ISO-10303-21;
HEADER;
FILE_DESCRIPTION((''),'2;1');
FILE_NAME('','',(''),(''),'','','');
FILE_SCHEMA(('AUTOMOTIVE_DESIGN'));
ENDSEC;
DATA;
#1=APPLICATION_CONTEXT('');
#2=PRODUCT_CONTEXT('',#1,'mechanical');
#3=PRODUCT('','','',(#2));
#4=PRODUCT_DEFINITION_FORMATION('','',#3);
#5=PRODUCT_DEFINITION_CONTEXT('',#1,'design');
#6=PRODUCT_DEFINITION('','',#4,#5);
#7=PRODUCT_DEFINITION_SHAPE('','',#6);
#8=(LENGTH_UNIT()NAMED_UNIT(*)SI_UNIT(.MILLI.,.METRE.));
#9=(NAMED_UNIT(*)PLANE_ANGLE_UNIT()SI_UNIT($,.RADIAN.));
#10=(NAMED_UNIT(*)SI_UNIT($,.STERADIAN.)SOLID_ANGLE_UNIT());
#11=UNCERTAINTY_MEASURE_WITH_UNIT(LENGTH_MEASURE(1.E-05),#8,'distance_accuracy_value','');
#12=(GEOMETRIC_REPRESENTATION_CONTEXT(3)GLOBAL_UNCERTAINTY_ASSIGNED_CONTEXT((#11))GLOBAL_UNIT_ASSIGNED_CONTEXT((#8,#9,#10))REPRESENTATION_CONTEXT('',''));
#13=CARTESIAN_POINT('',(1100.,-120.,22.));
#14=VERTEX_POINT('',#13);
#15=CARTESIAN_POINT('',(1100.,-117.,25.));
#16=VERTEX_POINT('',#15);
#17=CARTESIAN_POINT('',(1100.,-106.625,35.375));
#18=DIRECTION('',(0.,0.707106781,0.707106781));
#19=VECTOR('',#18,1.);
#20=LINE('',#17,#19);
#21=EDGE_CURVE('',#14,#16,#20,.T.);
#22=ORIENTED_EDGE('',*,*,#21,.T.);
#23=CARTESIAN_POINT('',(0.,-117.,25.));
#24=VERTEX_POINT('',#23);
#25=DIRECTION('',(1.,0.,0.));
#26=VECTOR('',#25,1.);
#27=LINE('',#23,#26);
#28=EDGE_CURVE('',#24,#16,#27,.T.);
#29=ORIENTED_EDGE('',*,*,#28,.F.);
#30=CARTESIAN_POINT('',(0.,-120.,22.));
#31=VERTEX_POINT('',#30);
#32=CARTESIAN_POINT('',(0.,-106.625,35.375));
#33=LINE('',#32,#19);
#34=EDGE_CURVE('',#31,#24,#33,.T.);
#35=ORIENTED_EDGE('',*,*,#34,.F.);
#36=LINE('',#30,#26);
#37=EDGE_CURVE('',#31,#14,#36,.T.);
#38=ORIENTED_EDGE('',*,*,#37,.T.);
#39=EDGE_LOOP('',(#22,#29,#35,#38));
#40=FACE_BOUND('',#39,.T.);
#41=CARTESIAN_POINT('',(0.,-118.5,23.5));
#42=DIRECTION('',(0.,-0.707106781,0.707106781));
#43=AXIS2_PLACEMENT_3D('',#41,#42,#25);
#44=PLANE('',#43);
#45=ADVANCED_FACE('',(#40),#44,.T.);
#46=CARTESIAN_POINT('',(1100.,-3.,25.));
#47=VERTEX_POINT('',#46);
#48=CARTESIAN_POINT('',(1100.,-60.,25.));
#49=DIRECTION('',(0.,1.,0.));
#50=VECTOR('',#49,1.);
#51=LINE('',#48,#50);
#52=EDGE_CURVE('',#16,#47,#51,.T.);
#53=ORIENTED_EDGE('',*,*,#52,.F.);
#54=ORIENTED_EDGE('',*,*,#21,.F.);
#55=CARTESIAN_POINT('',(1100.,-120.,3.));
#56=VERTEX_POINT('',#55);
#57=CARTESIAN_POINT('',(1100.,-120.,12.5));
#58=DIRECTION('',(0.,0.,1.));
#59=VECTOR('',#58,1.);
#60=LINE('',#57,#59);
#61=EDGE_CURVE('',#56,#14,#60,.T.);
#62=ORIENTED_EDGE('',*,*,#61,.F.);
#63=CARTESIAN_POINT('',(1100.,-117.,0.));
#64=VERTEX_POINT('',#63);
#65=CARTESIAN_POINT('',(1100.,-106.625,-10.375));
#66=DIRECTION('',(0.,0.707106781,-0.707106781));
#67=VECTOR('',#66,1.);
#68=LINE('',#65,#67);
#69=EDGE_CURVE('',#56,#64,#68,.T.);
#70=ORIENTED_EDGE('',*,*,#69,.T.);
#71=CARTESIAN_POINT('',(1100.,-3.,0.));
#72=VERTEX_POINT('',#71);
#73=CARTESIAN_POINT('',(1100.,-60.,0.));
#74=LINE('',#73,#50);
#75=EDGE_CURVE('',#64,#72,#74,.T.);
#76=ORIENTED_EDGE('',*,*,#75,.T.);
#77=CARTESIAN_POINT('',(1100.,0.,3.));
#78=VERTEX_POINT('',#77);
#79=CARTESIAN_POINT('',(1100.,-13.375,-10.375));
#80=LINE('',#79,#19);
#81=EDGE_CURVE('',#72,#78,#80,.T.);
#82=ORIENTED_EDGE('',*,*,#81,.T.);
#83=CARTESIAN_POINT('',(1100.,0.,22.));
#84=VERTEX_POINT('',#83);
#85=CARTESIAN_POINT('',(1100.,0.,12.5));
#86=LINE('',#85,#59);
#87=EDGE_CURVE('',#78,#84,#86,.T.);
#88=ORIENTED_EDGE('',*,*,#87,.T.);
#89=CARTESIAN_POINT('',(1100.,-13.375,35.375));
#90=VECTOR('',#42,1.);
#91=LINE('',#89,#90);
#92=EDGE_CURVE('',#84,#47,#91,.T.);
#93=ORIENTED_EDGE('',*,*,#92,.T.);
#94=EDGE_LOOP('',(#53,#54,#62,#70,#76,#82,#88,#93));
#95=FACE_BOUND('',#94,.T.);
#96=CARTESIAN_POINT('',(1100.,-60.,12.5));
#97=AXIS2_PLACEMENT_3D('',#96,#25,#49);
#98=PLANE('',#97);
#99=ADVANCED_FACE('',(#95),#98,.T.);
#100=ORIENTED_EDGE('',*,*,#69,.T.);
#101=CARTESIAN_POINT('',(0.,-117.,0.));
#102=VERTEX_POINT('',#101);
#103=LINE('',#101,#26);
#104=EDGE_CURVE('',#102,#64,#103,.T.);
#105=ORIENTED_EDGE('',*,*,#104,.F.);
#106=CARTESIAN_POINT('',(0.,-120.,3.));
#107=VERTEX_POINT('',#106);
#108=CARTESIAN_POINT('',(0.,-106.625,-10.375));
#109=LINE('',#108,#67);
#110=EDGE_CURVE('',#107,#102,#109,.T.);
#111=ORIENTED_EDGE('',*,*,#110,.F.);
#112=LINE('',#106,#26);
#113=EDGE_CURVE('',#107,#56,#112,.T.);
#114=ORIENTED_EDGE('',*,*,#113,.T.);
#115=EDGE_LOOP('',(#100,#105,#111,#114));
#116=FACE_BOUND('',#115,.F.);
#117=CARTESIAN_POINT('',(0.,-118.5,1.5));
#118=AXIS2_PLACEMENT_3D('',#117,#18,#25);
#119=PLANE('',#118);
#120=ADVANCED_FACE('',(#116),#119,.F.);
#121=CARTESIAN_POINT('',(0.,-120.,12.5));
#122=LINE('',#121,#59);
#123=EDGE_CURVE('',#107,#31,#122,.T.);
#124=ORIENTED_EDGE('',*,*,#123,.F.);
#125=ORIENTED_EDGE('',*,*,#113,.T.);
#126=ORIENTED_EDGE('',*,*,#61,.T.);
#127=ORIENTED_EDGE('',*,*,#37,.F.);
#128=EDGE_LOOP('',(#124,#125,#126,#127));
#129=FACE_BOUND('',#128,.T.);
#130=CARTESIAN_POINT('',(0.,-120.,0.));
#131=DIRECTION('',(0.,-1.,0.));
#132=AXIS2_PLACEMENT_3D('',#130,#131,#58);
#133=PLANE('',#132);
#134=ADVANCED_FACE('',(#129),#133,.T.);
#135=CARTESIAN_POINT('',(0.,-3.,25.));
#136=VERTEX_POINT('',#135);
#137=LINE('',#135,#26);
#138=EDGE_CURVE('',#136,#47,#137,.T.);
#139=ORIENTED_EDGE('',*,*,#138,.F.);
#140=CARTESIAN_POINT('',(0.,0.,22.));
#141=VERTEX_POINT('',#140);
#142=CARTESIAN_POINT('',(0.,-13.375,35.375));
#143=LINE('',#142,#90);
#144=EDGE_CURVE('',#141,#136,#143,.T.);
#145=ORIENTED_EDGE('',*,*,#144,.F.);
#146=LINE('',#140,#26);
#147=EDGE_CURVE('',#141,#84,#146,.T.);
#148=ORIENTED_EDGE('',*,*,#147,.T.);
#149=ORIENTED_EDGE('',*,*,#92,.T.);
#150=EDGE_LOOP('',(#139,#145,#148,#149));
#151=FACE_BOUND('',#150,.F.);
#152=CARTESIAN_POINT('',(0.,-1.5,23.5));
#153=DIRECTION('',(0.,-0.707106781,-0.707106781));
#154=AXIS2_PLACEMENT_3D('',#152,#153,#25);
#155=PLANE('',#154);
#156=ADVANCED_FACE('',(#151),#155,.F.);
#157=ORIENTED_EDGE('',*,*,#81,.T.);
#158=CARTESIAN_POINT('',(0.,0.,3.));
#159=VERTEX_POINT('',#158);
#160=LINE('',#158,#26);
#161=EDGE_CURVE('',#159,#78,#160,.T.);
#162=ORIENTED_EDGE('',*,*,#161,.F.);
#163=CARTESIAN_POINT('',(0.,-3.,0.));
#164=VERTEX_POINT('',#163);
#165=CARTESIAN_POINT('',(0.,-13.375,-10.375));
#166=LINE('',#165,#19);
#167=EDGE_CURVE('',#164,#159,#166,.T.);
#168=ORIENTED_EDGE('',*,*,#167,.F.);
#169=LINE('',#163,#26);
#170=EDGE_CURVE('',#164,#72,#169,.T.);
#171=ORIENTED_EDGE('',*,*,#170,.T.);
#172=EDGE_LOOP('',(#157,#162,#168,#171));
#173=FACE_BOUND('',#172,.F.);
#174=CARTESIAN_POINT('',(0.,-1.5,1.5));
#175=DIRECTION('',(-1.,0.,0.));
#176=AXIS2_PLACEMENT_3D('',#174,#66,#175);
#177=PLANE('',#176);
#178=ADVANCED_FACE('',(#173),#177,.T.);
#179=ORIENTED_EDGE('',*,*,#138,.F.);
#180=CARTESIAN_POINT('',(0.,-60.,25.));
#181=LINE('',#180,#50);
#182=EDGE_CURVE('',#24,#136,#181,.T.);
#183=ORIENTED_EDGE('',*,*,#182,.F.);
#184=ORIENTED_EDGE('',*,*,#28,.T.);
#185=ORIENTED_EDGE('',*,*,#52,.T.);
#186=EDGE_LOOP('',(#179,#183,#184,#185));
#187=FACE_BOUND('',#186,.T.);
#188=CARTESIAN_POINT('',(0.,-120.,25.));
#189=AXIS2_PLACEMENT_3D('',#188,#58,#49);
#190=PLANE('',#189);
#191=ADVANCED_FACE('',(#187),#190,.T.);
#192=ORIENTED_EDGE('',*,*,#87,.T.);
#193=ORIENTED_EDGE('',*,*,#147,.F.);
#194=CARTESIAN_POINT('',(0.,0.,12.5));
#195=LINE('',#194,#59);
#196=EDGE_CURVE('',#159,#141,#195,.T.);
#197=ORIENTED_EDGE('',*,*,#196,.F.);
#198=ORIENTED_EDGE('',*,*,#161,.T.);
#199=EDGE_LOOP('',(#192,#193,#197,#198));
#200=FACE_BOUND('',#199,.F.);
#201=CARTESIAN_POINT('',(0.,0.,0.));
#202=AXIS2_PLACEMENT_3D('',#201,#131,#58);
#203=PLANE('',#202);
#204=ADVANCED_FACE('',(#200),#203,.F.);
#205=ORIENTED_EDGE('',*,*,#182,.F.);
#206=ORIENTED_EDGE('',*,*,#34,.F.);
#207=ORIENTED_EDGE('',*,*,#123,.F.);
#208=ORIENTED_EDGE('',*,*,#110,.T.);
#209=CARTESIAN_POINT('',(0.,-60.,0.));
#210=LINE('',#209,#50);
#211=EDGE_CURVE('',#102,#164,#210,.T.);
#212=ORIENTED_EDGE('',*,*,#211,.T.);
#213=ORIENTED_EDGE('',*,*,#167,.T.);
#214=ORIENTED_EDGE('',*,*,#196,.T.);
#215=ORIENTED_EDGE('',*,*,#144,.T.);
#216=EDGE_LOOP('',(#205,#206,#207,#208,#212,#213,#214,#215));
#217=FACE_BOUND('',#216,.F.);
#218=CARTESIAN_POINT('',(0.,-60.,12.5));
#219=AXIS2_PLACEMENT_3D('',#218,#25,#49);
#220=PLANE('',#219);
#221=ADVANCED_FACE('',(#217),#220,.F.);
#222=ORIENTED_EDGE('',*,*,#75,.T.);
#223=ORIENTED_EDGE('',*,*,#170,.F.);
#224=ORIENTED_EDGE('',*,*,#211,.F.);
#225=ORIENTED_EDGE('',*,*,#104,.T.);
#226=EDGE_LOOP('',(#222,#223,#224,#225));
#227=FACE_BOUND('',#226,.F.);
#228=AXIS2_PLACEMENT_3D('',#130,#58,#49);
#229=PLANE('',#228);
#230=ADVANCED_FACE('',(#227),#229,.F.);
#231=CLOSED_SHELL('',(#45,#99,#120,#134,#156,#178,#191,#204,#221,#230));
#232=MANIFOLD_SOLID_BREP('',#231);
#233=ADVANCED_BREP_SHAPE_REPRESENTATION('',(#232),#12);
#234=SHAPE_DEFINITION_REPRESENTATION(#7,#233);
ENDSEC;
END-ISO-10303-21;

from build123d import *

# Parameters (mm, degrees)
F0_W     = 120
F0_H     = 25
F1_DEPTH = 1100
F2_SIZE  = 3


with BuildPart() as f1:
    # F0 (on Right) → F1 (new body)
    with BuildSketch(Plane.YZ):
        with Locations((-60, 12.5)):
            Rectangle(F0_W, F0_H)
    extrude(amount=F1_DEPTH)

    # F2
    f2_edges = [f1.edges().sort_by_distance(p)[0] for p in [
        (550, 0, 25),
        (550, -120, 25),
        (550, -120, 0),
        (550, 0, 0),
    ]]
    chamfer(f2_edges, length=F2_SIZE)


solid = f1.part
